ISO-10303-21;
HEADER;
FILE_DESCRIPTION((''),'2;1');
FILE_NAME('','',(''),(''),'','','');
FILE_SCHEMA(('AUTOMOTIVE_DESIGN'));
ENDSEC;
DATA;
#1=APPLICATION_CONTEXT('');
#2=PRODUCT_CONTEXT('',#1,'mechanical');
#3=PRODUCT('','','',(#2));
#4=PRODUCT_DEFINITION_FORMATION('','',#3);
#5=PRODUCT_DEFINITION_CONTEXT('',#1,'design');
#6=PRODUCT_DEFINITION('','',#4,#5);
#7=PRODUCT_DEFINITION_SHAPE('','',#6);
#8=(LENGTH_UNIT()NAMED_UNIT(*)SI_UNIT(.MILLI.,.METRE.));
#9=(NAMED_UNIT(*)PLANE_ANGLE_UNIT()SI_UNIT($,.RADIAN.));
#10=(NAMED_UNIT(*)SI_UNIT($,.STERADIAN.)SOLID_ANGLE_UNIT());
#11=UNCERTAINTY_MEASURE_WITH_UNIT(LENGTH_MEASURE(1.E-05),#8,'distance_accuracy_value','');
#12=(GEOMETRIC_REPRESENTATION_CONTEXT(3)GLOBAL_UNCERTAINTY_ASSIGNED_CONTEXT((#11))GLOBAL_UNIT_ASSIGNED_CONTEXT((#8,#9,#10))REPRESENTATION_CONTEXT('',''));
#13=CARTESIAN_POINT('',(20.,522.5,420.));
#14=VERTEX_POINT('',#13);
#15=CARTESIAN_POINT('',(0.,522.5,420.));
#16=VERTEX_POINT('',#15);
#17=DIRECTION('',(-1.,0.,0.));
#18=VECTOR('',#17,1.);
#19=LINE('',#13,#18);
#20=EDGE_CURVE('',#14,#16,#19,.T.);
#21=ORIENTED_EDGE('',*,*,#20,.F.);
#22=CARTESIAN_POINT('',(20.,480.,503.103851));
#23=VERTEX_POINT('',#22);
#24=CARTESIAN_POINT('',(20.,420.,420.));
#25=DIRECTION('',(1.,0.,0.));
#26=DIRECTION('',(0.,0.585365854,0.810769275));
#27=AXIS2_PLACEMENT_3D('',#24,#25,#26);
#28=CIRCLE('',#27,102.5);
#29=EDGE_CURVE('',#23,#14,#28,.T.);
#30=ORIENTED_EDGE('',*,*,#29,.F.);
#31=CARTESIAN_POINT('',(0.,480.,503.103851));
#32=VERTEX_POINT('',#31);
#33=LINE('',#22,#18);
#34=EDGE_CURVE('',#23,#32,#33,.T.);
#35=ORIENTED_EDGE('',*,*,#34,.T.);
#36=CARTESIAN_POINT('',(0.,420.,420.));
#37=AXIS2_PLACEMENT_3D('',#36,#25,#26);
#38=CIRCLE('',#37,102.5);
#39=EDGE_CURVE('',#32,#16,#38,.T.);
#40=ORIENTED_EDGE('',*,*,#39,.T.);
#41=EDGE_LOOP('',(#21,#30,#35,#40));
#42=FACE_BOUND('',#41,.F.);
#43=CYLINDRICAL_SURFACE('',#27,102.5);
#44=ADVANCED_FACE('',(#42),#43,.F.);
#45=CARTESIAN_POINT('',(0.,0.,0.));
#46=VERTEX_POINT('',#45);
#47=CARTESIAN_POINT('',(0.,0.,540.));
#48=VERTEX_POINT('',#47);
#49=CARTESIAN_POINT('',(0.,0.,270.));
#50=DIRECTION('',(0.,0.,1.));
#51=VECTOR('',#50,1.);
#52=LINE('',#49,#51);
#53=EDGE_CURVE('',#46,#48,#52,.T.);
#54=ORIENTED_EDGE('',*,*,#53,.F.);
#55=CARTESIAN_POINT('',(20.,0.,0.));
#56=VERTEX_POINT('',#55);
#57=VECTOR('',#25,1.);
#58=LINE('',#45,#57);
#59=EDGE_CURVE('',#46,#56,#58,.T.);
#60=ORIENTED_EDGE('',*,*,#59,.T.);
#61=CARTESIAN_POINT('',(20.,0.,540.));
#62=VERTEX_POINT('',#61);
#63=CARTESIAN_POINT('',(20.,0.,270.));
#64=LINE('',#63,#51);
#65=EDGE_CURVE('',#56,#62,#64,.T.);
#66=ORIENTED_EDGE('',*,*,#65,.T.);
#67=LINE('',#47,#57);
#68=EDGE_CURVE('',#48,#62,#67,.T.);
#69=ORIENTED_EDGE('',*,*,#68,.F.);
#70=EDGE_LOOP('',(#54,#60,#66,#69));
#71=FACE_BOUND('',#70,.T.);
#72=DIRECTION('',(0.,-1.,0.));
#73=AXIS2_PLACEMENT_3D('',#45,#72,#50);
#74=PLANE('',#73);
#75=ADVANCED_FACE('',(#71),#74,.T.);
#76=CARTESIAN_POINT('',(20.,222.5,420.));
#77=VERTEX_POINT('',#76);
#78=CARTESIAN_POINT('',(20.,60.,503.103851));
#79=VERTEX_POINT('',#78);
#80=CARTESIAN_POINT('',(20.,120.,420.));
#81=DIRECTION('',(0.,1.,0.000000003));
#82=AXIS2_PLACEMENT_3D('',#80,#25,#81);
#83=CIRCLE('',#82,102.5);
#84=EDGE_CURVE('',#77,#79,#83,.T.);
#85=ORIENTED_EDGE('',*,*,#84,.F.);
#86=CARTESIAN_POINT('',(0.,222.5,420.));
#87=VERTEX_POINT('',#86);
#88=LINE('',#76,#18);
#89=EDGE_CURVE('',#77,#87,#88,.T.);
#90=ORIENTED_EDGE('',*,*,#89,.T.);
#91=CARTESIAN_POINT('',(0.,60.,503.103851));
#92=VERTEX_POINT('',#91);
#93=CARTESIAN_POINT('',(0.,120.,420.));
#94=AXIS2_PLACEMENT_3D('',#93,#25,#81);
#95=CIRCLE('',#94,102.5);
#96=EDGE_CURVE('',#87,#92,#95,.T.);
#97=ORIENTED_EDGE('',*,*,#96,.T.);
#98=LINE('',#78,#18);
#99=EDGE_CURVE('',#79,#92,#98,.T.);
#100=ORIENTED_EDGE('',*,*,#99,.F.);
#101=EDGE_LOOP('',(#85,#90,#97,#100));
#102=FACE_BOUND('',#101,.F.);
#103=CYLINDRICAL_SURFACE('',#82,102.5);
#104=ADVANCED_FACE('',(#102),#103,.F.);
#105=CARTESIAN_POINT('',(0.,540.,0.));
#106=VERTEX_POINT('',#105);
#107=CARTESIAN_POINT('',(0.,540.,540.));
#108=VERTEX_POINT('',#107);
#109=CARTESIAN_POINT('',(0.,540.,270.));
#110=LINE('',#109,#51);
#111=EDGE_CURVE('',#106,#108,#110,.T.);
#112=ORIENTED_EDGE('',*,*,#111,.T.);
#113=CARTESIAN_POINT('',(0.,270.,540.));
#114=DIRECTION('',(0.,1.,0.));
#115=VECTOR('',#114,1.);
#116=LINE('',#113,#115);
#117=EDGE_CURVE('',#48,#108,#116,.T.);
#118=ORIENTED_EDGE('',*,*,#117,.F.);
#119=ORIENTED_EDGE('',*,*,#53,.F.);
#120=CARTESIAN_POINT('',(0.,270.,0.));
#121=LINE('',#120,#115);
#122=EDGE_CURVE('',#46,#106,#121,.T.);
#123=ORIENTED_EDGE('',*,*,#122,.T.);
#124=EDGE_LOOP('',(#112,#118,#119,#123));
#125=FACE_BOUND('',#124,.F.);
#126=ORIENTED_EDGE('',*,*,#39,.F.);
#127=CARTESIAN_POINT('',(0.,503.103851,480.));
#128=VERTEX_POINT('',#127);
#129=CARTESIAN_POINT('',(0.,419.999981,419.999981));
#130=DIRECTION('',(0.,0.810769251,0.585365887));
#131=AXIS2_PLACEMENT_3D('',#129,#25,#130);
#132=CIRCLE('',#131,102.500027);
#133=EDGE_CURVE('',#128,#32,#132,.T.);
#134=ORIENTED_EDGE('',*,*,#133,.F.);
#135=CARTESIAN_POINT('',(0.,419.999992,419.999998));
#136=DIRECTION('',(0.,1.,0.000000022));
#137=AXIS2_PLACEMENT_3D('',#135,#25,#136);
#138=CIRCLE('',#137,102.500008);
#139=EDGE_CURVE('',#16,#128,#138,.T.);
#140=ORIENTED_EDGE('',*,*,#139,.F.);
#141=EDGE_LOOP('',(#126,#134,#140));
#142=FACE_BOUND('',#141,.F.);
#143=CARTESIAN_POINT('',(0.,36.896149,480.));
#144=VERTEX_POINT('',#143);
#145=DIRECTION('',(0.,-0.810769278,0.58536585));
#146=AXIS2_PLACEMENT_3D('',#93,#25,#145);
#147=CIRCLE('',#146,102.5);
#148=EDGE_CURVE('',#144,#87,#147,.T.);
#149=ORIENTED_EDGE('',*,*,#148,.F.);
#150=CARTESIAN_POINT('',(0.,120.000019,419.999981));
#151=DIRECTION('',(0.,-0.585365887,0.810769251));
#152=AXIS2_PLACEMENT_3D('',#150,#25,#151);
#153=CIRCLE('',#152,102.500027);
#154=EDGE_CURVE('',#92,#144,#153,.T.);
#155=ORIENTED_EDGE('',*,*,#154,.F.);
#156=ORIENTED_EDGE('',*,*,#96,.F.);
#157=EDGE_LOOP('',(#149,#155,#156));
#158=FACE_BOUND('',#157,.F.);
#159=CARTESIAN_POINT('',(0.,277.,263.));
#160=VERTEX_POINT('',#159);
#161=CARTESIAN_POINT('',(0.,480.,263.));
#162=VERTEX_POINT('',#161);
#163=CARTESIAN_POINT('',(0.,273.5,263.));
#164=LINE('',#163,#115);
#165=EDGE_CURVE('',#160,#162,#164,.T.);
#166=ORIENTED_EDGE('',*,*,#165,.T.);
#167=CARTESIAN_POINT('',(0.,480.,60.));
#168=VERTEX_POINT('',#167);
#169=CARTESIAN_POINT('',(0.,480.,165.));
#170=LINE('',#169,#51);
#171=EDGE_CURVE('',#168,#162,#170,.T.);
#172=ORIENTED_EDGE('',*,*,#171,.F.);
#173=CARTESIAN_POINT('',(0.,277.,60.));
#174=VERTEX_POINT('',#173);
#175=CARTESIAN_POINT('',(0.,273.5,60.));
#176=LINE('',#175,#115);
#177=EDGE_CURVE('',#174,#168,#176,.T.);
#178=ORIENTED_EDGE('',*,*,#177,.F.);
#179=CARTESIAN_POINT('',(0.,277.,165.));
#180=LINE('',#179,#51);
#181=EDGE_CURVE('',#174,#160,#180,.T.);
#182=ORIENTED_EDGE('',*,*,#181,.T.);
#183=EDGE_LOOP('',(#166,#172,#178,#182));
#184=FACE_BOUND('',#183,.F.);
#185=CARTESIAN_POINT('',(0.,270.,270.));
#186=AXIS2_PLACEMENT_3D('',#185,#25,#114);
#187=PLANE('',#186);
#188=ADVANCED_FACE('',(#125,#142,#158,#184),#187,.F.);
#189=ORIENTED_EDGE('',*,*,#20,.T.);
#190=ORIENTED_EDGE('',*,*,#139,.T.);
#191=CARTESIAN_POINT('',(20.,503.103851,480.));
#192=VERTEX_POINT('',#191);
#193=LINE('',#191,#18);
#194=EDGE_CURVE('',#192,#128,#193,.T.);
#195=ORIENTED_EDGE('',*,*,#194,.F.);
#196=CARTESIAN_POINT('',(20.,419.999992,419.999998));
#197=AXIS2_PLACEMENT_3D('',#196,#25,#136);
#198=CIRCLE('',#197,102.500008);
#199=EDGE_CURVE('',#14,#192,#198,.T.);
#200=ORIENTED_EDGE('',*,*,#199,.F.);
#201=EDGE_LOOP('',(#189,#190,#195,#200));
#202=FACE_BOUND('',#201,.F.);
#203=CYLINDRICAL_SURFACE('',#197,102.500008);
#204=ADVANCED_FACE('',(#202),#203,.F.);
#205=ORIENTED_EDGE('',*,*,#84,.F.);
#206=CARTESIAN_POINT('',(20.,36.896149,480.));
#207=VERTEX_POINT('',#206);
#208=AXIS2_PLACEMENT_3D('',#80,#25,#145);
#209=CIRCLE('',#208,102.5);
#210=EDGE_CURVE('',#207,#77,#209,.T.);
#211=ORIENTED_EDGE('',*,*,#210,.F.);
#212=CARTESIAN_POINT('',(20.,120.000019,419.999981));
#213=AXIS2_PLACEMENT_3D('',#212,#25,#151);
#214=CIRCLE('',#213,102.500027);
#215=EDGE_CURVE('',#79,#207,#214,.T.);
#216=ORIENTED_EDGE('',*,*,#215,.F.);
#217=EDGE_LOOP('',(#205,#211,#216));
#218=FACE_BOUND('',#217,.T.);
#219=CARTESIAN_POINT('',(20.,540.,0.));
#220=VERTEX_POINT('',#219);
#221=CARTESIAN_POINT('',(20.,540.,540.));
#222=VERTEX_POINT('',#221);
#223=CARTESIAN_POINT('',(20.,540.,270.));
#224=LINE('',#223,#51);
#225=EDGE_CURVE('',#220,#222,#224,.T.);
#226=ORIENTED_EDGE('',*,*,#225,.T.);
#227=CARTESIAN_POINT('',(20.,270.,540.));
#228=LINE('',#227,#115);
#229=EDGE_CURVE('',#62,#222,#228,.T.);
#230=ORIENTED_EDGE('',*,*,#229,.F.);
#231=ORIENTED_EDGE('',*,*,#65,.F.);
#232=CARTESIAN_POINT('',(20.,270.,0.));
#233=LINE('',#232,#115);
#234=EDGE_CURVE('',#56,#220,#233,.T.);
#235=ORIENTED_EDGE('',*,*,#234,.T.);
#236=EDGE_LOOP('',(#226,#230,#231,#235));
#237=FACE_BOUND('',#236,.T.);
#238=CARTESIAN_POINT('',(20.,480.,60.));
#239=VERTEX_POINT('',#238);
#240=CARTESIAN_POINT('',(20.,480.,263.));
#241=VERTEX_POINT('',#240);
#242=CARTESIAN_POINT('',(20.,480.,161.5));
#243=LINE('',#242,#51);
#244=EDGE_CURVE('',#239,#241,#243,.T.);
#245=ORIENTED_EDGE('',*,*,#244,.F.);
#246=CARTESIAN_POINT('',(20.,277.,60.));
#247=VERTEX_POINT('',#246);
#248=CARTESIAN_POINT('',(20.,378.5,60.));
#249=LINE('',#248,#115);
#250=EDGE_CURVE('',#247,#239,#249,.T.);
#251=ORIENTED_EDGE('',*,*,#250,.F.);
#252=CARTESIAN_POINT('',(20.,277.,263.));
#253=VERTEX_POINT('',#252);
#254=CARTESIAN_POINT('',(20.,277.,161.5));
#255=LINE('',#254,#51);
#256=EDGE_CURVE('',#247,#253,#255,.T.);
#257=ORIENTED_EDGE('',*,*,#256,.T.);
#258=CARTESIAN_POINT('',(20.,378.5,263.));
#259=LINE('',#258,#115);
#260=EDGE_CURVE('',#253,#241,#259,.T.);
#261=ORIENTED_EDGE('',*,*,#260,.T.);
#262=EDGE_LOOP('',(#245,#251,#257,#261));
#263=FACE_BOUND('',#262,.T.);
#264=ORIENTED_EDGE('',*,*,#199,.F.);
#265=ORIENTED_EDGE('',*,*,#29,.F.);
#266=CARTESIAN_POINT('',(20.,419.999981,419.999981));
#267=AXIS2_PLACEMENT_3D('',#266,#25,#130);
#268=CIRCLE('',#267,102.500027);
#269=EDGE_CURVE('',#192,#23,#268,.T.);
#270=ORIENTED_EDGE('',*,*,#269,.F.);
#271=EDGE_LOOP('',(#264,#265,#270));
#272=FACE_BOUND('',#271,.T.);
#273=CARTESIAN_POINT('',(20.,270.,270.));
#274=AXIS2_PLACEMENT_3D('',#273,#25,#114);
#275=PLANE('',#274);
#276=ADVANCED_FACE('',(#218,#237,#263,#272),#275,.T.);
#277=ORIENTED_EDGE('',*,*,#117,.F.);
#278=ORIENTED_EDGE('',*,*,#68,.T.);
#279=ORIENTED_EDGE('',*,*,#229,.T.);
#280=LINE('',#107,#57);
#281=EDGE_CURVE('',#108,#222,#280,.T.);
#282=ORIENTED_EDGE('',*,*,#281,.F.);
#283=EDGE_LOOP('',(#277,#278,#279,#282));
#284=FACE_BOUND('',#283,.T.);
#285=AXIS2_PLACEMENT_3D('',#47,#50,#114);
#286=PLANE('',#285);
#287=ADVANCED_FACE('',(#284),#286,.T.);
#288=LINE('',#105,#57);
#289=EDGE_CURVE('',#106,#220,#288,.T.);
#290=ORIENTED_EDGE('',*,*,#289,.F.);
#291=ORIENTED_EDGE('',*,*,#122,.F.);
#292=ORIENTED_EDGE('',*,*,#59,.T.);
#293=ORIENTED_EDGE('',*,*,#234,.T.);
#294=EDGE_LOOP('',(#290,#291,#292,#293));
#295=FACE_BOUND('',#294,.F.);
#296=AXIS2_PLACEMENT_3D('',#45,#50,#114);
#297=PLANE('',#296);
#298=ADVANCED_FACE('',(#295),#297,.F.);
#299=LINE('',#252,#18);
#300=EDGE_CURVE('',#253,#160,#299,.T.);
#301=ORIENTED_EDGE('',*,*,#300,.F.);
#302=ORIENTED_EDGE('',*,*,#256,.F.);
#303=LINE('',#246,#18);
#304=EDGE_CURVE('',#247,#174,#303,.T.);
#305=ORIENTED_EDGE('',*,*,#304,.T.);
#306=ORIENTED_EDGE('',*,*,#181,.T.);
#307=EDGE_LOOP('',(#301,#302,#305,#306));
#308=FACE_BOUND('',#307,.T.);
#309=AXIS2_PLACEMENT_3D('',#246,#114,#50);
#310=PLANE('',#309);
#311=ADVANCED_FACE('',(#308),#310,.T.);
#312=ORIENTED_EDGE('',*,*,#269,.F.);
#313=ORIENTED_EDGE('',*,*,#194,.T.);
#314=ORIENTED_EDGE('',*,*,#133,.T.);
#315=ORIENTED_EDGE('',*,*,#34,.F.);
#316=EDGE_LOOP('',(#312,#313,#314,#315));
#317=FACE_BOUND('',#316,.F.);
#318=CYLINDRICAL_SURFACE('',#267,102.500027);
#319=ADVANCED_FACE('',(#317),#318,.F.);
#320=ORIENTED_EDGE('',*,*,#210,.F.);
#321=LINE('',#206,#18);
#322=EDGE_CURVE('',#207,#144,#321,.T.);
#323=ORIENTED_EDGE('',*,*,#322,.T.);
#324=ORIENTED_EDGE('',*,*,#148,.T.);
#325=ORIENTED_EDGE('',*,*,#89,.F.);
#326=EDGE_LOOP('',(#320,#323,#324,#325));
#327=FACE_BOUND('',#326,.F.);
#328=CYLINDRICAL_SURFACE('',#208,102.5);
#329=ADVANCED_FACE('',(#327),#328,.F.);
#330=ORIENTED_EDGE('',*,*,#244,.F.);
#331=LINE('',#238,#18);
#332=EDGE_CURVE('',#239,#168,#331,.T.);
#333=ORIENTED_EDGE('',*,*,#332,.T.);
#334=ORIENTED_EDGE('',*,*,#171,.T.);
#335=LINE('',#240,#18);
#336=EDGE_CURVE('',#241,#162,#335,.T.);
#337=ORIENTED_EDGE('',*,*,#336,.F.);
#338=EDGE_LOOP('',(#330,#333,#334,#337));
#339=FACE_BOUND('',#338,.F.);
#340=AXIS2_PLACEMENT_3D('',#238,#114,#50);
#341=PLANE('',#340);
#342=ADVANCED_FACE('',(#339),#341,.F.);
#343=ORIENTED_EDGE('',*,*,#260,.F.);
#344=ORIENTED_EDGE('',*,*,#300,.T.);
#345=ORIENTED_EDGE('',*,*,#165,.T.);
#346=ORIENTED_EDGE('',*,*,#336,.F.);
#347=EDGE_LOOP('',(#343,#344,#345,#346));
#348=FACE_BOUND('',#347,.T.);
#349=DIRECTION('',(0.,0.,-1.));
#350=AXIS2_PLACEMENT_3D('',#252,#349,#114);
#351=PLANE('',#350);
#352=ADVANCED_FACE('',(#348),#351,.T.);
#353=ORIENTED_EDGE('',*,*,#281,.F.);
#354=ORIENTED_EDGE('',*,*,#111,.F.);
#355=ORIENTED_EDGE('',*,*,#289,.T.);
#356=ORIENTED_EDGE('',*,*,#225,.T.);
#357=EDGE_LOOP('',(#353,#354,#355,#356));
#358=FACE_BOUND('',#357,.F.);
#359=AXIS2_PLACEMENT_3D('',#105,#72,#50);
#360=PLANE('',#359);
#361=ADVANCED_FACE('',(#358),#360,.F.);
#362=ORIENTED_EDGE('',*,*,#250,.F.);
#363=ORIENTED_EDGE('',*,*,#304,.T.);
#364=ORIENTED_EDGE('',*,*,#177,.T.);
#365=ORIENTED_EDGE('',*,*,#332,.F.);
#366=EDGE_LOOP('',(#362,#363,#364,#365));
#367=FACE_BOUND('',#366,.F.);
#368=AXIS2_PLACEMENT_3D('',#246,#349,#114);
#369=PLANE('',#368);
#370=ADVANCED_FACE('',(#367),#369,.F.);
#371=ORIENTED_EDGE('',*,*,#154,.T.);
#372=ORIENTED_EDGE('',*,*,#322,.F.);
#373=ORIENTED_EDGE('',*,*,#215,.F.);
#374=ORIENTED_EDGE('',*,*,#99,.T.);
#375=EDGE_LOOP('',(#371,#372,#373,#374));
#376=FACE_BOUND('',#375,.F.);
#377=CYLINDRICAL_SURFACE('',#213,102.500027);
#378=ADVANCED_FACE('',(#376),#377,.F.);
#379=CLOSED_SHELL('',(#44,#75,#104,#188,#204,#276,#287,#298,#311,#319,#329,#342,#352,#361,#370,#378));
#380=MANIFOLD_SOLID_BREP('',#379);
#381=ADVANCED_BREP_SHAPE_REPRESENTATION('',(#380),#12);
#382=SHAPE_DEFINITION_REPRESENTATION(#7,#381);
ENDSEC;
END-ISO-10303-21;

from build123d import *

# Parameters (mm, degrees)
F0_W     = 540
F0_H     = 540
F1_DEPTH = 20
F2_W     = 203
F2_H     = 203
F3_DEPTH = 25


with BuildPart() as f1:
    # F0 (on Right) → F1 (new body)
    with BuildSketch(Plane.YZ):
        with Locations((270, 270)):
            Rectangle(F0_W, F0_H)
    extrude(amount=F1_DEPTH)

    # F2 (on face) → F3 (cut)
    with BuildSketch(Plane.YZ.offset(20)):
        with BuildLine():
            Line((60, 480), (60, 503.103851))
            ThreePointArc((60, 503.103851), (47.521555, 492.478445), (36.896149, 480))
            Line((36.896149, 480), (60, 480))
        make_face()
        with BuildLine():
            ThreePointArc((222.5, 420), (166.670387, 511.258561), (60, 503.103851))
            Line((60, 503.103851), (60, 480))
            Line((60, 480), (36.896149, 480))
            ThreePointArc((36.896149, 480), (88.471399, 322.469506), (222.5, 420))
        make_face()
        with BuildLine():
            ThreePointArc((522.5, 420), (517.530494, 451.528601), (503.103851, 480))
            Line((503.103851, 480), (480, 480))
            Line((480, 480), (480, 503.103851))
            ThreePointArc((480, 503.103851), (328.741439, 373.329613), (522.5, 420))
        make_face()
        with BuildLine():
            Line((480, 480), (503.103851, 480))
            ThreePointArc((503.103851, 480), (492.478445, 492.478445), (480, 503.103851))
            Line((480, 503.103851), (480, 480))
        make_face()
        with Locations((378.5, 161.5)):
            Rectangle(F2_W, F2_H)
    extrude(amount=-F3_DEPTH, mode=Mode.SUBTRACT)


solid = f1.part
